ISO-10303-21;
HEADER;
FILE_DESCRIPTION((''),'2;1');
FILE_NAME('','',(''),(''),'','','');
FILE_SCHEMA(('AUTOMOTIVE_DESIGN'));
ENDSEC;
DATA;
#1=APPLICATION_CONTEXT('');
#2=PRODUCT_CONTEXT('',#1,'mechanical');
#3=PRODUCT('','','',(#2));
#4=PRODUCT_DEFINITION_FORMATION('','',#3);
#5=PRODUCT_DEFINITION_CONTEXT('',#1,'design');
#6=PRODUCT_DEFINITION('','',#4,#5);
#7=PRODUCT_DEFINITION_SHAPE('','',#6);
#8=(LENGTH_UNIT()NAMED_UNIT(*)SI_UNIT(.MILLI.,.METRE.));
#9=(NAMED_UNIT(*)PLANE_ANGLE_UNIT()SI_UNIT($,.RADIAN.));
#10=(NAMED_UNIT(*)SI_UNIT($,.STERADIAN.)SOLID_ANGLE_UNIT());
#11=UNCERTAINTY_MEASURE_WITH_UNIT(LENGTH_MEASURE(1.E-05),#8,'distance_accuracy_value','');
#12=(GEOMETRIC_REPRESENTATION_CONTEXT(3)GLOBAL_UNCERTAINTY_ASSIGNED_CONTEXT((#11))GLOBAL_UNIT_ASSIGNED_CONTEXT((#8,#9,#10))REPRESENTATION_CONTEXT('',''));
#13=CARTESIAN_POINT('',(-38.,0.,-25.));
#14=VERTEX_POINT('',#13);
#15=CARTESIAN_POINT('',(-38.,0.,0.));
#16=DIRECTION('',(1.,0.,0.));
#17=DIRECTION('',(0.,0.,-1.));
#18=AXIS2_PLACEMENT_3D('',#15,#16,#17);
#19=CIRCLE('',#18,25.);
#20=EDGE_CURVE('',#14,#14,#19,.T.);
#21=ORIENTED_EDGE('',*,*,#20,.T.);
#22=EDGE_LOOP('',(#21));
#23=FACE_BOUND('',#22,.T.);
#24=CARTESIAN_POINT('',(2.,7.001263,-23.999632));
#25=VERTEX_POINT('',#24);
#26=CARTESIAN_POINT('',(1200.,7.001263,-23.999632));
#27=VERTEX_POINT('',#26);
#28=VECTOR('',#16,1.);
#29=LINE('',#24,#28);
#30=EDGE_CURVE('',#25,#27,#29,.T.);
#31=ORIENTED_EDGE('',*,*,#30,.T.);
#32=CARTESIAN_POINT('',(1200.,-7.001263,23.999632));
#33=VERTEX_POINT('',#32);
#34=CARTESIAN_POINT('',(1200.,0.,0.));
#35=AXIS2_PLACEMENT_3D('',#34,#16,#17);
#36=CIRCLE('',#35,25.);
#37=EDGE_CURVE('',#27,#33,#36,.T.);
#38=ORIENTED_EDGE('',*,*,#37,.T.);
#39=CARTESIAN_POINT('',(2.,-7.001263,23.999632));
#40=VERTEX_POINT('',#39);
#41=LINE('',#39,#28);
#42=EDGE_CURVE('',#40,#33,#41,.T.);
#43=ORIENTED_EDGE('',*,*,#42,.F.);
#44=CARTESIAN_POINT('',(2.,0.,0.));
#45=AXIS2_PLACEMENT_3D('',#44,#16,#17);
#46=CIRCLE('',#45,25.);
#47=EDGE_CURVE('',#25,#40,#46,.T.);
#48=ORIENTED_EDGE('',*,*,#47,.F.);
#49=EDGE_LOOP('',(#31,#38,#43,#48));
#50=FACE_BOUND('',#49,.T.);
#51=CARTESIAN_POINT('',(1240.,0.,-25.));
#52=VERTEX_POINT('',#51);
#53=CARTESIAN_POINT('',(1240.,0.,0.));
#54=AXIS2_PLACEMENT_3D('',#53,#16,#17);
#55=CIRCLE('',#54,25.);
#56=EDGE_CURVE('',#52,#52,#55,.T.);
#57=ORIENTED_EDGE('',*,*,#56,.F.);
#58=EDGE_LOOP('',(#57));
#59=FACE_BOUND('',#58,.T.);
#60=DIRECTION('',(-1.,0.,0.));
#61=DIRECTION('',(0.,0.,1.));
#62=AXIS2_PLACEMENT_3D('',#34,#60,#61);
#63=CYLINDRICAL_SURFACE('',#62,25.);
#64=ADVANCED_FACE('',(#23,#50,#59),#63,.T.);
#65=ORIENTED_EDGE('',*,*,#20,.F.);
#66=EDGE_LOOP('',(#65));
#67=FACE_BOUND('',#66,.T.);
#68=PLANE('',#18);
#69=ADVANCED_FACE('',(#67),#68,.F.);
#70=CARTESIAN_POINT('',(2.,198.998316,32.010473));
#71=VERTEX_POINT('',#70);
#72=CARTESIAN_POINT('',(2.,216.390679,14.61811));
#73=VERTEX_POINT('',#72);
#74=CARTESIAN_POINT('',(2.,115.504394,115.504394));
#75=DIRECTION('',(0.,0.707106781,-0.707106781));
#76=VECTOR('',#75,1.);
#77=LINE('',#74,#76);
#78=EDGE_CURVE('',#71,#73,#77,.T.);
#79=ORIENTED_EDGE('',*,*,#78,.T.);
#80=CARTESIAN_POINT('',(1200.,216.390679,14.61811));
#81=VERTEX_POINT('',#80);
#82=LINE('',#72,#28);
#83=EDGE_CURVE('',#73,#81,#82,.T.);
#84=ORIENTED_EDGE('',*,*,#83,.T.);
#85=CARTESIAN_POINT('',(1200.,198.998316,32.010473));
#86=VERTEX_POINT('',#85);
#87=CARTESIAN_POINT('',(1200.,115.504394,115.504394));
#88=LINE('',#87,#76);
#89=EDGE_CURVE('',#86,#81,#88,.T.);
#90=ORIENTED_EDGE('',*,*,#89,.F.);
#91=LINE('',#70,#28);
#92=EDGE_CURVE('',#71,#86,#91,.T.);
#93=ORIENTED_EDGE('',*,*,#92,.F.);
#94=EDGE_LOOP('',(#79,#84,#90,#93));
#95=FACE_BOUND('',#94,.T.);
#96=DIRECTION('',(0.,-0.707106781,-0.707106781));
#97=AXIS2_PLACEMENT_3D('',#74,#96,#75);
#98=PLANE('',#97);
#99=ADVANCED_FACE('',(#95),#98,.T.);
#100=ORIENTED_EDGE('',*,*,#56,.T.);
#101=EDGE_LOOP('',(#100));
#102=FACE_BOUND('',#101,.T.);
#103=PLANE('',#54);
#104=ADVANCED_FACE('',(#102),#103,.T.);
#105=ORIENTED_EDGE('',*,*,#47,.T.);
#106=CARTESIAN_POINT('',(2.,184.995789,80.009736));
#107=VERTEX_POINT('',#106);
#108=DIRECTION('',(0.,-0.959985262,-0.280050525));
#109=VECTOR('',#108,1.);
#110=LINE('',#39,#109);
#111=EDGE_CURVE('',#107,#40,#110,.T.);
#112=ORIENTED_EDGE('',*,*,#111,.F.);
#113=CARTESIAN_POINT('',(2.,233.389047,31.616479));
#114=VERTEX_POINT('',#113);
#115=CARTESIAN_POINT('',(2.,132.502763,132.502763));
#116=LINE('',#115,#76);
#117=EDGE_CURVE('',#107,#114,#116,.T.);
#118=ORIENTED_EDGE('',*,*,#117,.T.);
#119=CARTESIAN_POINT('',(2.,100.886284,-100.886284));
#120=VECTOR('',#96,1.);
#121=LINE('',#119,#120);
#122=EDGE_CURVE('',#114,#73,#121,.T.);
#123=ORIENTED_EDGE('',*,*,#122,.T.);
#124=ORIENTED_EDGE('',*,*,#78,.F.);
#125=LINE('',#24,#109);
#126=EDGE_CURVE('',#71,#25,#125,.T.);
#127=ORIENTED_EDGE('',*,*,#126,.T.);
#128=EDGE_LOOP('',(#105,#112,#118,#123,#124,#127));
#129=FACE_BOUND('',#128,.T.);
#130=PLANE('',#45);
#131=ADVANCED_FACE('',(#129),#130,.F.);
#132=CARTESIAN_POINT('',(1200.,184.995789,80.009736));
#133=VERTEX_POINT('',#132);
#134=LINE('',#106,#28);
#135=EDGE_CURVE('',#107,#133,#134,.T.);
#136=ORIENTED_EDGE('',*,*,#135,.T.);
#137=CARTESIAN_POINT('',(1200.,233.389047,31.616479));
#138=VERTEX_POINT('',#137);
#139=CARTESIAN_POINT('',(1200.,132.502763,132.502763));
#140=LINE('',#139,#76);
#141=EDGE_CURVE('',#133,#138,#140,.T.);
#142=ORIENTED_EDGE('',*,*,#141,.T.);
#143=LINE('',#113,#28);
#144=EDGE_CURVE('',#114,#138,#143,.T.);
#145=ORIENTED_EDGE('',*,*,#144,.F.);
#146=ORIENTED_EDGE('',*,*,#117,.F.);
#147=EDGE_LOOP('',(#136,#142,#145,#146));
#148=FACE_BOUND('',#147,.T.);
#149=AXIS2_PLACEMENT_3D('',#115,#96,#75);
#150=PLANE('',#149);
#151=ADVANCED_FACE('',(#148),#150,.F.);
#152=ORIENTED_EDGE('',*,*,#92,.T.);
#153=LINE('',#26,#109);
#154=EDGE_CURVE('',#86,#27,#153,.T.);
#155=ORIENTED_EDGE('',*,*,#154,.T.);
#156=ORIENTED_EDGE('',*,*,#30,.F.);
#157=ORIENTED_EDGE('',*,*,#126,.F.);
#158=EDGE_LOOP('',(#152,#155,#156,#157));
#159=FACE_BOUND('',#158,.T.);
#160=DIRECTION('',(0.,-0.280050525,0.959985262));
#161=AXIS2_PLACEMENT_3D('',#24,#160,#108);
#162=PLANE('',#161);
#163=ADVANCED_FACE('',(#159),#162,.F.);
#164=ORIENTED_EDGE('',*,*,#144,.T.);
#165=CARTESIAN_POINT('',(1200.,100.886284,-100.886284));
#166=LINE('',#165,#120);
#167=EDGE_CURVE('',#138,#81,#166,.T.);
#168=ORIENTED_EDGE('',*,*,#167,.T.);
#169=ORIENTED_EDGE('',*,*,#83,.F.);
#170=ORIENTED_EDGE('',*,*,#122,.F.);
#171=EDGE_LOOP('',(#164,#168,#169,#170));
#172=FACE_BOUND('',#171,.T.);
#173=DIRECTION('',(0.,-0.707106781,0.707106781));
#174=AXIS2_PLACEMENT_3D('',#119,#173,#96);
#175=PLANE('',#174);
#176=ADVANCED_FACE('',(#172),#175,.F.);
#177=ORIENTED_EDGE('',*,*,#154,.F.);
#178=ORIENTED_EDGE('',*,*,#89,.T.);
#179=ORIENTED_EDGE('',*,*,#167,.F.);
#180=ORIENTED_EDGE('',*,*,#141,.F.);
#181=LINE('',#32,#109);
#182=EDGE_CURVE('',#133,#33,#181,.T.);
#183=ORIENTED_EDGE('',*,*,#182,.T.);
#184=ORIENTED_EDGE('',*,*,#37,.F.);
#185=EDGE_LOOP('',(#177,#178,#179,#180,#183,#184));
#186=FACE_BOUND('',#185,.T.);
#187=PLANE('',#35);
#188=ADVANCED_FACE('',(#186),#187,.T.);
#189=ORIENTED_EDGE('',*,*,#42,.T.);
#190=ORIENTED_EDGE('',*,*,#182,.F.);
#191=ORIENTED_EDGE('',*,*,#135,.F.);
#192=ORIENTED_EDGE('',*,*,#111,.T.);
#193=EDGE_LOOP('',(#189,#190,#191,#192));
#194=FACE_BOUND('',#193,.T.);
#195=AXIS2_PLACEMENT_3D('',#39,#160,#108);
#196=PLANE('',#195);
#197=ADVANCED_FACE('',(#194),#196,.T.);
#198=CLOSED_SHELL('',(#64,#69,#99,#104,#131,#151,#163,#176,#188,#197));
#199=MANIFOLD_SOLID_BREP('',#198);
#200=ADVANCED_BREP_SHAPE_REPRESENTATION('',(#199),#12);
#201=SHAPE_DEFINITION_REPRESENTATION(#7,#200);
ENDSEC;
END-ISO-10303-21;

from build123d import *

# Parameters (mm, degrees)
SKETCH1_R                = 25
BOSS_EXTRUDE1_DEPTH      = 1200
BOSS_EXTRUDE2_START      = -1198
BOSS_EXTRUDE2_DEPTH      = 1198
BOSS_EXTRUDE3_DEPTH      = 40
BOSS_EXTRUDE3_DEPTH_BACK = 1238
SKETCH3_R                = 25


with BuildPart() as part:
    # Sketch1 → Boss-Extrude1 (new body)
    with BuildSketch(Plane(origin=(0, 0, 0), x_dir=(0, 0, -1), z_dir=(1, 0, 0))):
        Circle(SKETCH1_R)
    extrude(amount=BOSS_EXTRUDE1_DEPTH)

    # Sketch2 → Boss-Extrude2 (add)
    with BuildSketch(Plane(origin=(1200, 0, 0), x_dir=(0, 0, -1), z_dir=(1, 0, 0)).offset(BOSS_EXTRUDE2_START)):
        with BuildLine():
            Line((23.999631554, 7.001263118), (-32.01047339, 198.998315554))
            Line((-32.01047339, 198.998315554), (-14.618110395, 216.390678549))
            Line((-14.618110395, 216.390678549), (-31.616478831, 233.389046986))
            Line((-31.616478831, 233.389046986), (-80.009736499, 184.995789318))
            Line((-80.009736499, 184.995789318), (-23.999631554, -7.001263118))
            ThreePointArc((-23.999631554, -7.001263118), (-7.001263118, 23.999631554), (23.999631554, 7.001263118))
        make_face()
    extrude(amount=BOSS_EXTRUDE2_DEPTH)

    # Sketch3 → Boss-Extrude3 (add, two sides: drawn at the far end of the back side and taken through both)
    with BuildSketch(Plane(origin=(1200, 0, 0), x_dir=(0, 0, -1), z_dir=(1, 0, 0)).offset(-BOSS_EXTRUDE3_DEPTH_BACK)):
        Circle(SKETCH3_R)
    extrude(amount=BOSS_EXTRUDE3_DEPTH + BOSS_EXTRUDE3_DEPTH_BACK)


solid = part.part
